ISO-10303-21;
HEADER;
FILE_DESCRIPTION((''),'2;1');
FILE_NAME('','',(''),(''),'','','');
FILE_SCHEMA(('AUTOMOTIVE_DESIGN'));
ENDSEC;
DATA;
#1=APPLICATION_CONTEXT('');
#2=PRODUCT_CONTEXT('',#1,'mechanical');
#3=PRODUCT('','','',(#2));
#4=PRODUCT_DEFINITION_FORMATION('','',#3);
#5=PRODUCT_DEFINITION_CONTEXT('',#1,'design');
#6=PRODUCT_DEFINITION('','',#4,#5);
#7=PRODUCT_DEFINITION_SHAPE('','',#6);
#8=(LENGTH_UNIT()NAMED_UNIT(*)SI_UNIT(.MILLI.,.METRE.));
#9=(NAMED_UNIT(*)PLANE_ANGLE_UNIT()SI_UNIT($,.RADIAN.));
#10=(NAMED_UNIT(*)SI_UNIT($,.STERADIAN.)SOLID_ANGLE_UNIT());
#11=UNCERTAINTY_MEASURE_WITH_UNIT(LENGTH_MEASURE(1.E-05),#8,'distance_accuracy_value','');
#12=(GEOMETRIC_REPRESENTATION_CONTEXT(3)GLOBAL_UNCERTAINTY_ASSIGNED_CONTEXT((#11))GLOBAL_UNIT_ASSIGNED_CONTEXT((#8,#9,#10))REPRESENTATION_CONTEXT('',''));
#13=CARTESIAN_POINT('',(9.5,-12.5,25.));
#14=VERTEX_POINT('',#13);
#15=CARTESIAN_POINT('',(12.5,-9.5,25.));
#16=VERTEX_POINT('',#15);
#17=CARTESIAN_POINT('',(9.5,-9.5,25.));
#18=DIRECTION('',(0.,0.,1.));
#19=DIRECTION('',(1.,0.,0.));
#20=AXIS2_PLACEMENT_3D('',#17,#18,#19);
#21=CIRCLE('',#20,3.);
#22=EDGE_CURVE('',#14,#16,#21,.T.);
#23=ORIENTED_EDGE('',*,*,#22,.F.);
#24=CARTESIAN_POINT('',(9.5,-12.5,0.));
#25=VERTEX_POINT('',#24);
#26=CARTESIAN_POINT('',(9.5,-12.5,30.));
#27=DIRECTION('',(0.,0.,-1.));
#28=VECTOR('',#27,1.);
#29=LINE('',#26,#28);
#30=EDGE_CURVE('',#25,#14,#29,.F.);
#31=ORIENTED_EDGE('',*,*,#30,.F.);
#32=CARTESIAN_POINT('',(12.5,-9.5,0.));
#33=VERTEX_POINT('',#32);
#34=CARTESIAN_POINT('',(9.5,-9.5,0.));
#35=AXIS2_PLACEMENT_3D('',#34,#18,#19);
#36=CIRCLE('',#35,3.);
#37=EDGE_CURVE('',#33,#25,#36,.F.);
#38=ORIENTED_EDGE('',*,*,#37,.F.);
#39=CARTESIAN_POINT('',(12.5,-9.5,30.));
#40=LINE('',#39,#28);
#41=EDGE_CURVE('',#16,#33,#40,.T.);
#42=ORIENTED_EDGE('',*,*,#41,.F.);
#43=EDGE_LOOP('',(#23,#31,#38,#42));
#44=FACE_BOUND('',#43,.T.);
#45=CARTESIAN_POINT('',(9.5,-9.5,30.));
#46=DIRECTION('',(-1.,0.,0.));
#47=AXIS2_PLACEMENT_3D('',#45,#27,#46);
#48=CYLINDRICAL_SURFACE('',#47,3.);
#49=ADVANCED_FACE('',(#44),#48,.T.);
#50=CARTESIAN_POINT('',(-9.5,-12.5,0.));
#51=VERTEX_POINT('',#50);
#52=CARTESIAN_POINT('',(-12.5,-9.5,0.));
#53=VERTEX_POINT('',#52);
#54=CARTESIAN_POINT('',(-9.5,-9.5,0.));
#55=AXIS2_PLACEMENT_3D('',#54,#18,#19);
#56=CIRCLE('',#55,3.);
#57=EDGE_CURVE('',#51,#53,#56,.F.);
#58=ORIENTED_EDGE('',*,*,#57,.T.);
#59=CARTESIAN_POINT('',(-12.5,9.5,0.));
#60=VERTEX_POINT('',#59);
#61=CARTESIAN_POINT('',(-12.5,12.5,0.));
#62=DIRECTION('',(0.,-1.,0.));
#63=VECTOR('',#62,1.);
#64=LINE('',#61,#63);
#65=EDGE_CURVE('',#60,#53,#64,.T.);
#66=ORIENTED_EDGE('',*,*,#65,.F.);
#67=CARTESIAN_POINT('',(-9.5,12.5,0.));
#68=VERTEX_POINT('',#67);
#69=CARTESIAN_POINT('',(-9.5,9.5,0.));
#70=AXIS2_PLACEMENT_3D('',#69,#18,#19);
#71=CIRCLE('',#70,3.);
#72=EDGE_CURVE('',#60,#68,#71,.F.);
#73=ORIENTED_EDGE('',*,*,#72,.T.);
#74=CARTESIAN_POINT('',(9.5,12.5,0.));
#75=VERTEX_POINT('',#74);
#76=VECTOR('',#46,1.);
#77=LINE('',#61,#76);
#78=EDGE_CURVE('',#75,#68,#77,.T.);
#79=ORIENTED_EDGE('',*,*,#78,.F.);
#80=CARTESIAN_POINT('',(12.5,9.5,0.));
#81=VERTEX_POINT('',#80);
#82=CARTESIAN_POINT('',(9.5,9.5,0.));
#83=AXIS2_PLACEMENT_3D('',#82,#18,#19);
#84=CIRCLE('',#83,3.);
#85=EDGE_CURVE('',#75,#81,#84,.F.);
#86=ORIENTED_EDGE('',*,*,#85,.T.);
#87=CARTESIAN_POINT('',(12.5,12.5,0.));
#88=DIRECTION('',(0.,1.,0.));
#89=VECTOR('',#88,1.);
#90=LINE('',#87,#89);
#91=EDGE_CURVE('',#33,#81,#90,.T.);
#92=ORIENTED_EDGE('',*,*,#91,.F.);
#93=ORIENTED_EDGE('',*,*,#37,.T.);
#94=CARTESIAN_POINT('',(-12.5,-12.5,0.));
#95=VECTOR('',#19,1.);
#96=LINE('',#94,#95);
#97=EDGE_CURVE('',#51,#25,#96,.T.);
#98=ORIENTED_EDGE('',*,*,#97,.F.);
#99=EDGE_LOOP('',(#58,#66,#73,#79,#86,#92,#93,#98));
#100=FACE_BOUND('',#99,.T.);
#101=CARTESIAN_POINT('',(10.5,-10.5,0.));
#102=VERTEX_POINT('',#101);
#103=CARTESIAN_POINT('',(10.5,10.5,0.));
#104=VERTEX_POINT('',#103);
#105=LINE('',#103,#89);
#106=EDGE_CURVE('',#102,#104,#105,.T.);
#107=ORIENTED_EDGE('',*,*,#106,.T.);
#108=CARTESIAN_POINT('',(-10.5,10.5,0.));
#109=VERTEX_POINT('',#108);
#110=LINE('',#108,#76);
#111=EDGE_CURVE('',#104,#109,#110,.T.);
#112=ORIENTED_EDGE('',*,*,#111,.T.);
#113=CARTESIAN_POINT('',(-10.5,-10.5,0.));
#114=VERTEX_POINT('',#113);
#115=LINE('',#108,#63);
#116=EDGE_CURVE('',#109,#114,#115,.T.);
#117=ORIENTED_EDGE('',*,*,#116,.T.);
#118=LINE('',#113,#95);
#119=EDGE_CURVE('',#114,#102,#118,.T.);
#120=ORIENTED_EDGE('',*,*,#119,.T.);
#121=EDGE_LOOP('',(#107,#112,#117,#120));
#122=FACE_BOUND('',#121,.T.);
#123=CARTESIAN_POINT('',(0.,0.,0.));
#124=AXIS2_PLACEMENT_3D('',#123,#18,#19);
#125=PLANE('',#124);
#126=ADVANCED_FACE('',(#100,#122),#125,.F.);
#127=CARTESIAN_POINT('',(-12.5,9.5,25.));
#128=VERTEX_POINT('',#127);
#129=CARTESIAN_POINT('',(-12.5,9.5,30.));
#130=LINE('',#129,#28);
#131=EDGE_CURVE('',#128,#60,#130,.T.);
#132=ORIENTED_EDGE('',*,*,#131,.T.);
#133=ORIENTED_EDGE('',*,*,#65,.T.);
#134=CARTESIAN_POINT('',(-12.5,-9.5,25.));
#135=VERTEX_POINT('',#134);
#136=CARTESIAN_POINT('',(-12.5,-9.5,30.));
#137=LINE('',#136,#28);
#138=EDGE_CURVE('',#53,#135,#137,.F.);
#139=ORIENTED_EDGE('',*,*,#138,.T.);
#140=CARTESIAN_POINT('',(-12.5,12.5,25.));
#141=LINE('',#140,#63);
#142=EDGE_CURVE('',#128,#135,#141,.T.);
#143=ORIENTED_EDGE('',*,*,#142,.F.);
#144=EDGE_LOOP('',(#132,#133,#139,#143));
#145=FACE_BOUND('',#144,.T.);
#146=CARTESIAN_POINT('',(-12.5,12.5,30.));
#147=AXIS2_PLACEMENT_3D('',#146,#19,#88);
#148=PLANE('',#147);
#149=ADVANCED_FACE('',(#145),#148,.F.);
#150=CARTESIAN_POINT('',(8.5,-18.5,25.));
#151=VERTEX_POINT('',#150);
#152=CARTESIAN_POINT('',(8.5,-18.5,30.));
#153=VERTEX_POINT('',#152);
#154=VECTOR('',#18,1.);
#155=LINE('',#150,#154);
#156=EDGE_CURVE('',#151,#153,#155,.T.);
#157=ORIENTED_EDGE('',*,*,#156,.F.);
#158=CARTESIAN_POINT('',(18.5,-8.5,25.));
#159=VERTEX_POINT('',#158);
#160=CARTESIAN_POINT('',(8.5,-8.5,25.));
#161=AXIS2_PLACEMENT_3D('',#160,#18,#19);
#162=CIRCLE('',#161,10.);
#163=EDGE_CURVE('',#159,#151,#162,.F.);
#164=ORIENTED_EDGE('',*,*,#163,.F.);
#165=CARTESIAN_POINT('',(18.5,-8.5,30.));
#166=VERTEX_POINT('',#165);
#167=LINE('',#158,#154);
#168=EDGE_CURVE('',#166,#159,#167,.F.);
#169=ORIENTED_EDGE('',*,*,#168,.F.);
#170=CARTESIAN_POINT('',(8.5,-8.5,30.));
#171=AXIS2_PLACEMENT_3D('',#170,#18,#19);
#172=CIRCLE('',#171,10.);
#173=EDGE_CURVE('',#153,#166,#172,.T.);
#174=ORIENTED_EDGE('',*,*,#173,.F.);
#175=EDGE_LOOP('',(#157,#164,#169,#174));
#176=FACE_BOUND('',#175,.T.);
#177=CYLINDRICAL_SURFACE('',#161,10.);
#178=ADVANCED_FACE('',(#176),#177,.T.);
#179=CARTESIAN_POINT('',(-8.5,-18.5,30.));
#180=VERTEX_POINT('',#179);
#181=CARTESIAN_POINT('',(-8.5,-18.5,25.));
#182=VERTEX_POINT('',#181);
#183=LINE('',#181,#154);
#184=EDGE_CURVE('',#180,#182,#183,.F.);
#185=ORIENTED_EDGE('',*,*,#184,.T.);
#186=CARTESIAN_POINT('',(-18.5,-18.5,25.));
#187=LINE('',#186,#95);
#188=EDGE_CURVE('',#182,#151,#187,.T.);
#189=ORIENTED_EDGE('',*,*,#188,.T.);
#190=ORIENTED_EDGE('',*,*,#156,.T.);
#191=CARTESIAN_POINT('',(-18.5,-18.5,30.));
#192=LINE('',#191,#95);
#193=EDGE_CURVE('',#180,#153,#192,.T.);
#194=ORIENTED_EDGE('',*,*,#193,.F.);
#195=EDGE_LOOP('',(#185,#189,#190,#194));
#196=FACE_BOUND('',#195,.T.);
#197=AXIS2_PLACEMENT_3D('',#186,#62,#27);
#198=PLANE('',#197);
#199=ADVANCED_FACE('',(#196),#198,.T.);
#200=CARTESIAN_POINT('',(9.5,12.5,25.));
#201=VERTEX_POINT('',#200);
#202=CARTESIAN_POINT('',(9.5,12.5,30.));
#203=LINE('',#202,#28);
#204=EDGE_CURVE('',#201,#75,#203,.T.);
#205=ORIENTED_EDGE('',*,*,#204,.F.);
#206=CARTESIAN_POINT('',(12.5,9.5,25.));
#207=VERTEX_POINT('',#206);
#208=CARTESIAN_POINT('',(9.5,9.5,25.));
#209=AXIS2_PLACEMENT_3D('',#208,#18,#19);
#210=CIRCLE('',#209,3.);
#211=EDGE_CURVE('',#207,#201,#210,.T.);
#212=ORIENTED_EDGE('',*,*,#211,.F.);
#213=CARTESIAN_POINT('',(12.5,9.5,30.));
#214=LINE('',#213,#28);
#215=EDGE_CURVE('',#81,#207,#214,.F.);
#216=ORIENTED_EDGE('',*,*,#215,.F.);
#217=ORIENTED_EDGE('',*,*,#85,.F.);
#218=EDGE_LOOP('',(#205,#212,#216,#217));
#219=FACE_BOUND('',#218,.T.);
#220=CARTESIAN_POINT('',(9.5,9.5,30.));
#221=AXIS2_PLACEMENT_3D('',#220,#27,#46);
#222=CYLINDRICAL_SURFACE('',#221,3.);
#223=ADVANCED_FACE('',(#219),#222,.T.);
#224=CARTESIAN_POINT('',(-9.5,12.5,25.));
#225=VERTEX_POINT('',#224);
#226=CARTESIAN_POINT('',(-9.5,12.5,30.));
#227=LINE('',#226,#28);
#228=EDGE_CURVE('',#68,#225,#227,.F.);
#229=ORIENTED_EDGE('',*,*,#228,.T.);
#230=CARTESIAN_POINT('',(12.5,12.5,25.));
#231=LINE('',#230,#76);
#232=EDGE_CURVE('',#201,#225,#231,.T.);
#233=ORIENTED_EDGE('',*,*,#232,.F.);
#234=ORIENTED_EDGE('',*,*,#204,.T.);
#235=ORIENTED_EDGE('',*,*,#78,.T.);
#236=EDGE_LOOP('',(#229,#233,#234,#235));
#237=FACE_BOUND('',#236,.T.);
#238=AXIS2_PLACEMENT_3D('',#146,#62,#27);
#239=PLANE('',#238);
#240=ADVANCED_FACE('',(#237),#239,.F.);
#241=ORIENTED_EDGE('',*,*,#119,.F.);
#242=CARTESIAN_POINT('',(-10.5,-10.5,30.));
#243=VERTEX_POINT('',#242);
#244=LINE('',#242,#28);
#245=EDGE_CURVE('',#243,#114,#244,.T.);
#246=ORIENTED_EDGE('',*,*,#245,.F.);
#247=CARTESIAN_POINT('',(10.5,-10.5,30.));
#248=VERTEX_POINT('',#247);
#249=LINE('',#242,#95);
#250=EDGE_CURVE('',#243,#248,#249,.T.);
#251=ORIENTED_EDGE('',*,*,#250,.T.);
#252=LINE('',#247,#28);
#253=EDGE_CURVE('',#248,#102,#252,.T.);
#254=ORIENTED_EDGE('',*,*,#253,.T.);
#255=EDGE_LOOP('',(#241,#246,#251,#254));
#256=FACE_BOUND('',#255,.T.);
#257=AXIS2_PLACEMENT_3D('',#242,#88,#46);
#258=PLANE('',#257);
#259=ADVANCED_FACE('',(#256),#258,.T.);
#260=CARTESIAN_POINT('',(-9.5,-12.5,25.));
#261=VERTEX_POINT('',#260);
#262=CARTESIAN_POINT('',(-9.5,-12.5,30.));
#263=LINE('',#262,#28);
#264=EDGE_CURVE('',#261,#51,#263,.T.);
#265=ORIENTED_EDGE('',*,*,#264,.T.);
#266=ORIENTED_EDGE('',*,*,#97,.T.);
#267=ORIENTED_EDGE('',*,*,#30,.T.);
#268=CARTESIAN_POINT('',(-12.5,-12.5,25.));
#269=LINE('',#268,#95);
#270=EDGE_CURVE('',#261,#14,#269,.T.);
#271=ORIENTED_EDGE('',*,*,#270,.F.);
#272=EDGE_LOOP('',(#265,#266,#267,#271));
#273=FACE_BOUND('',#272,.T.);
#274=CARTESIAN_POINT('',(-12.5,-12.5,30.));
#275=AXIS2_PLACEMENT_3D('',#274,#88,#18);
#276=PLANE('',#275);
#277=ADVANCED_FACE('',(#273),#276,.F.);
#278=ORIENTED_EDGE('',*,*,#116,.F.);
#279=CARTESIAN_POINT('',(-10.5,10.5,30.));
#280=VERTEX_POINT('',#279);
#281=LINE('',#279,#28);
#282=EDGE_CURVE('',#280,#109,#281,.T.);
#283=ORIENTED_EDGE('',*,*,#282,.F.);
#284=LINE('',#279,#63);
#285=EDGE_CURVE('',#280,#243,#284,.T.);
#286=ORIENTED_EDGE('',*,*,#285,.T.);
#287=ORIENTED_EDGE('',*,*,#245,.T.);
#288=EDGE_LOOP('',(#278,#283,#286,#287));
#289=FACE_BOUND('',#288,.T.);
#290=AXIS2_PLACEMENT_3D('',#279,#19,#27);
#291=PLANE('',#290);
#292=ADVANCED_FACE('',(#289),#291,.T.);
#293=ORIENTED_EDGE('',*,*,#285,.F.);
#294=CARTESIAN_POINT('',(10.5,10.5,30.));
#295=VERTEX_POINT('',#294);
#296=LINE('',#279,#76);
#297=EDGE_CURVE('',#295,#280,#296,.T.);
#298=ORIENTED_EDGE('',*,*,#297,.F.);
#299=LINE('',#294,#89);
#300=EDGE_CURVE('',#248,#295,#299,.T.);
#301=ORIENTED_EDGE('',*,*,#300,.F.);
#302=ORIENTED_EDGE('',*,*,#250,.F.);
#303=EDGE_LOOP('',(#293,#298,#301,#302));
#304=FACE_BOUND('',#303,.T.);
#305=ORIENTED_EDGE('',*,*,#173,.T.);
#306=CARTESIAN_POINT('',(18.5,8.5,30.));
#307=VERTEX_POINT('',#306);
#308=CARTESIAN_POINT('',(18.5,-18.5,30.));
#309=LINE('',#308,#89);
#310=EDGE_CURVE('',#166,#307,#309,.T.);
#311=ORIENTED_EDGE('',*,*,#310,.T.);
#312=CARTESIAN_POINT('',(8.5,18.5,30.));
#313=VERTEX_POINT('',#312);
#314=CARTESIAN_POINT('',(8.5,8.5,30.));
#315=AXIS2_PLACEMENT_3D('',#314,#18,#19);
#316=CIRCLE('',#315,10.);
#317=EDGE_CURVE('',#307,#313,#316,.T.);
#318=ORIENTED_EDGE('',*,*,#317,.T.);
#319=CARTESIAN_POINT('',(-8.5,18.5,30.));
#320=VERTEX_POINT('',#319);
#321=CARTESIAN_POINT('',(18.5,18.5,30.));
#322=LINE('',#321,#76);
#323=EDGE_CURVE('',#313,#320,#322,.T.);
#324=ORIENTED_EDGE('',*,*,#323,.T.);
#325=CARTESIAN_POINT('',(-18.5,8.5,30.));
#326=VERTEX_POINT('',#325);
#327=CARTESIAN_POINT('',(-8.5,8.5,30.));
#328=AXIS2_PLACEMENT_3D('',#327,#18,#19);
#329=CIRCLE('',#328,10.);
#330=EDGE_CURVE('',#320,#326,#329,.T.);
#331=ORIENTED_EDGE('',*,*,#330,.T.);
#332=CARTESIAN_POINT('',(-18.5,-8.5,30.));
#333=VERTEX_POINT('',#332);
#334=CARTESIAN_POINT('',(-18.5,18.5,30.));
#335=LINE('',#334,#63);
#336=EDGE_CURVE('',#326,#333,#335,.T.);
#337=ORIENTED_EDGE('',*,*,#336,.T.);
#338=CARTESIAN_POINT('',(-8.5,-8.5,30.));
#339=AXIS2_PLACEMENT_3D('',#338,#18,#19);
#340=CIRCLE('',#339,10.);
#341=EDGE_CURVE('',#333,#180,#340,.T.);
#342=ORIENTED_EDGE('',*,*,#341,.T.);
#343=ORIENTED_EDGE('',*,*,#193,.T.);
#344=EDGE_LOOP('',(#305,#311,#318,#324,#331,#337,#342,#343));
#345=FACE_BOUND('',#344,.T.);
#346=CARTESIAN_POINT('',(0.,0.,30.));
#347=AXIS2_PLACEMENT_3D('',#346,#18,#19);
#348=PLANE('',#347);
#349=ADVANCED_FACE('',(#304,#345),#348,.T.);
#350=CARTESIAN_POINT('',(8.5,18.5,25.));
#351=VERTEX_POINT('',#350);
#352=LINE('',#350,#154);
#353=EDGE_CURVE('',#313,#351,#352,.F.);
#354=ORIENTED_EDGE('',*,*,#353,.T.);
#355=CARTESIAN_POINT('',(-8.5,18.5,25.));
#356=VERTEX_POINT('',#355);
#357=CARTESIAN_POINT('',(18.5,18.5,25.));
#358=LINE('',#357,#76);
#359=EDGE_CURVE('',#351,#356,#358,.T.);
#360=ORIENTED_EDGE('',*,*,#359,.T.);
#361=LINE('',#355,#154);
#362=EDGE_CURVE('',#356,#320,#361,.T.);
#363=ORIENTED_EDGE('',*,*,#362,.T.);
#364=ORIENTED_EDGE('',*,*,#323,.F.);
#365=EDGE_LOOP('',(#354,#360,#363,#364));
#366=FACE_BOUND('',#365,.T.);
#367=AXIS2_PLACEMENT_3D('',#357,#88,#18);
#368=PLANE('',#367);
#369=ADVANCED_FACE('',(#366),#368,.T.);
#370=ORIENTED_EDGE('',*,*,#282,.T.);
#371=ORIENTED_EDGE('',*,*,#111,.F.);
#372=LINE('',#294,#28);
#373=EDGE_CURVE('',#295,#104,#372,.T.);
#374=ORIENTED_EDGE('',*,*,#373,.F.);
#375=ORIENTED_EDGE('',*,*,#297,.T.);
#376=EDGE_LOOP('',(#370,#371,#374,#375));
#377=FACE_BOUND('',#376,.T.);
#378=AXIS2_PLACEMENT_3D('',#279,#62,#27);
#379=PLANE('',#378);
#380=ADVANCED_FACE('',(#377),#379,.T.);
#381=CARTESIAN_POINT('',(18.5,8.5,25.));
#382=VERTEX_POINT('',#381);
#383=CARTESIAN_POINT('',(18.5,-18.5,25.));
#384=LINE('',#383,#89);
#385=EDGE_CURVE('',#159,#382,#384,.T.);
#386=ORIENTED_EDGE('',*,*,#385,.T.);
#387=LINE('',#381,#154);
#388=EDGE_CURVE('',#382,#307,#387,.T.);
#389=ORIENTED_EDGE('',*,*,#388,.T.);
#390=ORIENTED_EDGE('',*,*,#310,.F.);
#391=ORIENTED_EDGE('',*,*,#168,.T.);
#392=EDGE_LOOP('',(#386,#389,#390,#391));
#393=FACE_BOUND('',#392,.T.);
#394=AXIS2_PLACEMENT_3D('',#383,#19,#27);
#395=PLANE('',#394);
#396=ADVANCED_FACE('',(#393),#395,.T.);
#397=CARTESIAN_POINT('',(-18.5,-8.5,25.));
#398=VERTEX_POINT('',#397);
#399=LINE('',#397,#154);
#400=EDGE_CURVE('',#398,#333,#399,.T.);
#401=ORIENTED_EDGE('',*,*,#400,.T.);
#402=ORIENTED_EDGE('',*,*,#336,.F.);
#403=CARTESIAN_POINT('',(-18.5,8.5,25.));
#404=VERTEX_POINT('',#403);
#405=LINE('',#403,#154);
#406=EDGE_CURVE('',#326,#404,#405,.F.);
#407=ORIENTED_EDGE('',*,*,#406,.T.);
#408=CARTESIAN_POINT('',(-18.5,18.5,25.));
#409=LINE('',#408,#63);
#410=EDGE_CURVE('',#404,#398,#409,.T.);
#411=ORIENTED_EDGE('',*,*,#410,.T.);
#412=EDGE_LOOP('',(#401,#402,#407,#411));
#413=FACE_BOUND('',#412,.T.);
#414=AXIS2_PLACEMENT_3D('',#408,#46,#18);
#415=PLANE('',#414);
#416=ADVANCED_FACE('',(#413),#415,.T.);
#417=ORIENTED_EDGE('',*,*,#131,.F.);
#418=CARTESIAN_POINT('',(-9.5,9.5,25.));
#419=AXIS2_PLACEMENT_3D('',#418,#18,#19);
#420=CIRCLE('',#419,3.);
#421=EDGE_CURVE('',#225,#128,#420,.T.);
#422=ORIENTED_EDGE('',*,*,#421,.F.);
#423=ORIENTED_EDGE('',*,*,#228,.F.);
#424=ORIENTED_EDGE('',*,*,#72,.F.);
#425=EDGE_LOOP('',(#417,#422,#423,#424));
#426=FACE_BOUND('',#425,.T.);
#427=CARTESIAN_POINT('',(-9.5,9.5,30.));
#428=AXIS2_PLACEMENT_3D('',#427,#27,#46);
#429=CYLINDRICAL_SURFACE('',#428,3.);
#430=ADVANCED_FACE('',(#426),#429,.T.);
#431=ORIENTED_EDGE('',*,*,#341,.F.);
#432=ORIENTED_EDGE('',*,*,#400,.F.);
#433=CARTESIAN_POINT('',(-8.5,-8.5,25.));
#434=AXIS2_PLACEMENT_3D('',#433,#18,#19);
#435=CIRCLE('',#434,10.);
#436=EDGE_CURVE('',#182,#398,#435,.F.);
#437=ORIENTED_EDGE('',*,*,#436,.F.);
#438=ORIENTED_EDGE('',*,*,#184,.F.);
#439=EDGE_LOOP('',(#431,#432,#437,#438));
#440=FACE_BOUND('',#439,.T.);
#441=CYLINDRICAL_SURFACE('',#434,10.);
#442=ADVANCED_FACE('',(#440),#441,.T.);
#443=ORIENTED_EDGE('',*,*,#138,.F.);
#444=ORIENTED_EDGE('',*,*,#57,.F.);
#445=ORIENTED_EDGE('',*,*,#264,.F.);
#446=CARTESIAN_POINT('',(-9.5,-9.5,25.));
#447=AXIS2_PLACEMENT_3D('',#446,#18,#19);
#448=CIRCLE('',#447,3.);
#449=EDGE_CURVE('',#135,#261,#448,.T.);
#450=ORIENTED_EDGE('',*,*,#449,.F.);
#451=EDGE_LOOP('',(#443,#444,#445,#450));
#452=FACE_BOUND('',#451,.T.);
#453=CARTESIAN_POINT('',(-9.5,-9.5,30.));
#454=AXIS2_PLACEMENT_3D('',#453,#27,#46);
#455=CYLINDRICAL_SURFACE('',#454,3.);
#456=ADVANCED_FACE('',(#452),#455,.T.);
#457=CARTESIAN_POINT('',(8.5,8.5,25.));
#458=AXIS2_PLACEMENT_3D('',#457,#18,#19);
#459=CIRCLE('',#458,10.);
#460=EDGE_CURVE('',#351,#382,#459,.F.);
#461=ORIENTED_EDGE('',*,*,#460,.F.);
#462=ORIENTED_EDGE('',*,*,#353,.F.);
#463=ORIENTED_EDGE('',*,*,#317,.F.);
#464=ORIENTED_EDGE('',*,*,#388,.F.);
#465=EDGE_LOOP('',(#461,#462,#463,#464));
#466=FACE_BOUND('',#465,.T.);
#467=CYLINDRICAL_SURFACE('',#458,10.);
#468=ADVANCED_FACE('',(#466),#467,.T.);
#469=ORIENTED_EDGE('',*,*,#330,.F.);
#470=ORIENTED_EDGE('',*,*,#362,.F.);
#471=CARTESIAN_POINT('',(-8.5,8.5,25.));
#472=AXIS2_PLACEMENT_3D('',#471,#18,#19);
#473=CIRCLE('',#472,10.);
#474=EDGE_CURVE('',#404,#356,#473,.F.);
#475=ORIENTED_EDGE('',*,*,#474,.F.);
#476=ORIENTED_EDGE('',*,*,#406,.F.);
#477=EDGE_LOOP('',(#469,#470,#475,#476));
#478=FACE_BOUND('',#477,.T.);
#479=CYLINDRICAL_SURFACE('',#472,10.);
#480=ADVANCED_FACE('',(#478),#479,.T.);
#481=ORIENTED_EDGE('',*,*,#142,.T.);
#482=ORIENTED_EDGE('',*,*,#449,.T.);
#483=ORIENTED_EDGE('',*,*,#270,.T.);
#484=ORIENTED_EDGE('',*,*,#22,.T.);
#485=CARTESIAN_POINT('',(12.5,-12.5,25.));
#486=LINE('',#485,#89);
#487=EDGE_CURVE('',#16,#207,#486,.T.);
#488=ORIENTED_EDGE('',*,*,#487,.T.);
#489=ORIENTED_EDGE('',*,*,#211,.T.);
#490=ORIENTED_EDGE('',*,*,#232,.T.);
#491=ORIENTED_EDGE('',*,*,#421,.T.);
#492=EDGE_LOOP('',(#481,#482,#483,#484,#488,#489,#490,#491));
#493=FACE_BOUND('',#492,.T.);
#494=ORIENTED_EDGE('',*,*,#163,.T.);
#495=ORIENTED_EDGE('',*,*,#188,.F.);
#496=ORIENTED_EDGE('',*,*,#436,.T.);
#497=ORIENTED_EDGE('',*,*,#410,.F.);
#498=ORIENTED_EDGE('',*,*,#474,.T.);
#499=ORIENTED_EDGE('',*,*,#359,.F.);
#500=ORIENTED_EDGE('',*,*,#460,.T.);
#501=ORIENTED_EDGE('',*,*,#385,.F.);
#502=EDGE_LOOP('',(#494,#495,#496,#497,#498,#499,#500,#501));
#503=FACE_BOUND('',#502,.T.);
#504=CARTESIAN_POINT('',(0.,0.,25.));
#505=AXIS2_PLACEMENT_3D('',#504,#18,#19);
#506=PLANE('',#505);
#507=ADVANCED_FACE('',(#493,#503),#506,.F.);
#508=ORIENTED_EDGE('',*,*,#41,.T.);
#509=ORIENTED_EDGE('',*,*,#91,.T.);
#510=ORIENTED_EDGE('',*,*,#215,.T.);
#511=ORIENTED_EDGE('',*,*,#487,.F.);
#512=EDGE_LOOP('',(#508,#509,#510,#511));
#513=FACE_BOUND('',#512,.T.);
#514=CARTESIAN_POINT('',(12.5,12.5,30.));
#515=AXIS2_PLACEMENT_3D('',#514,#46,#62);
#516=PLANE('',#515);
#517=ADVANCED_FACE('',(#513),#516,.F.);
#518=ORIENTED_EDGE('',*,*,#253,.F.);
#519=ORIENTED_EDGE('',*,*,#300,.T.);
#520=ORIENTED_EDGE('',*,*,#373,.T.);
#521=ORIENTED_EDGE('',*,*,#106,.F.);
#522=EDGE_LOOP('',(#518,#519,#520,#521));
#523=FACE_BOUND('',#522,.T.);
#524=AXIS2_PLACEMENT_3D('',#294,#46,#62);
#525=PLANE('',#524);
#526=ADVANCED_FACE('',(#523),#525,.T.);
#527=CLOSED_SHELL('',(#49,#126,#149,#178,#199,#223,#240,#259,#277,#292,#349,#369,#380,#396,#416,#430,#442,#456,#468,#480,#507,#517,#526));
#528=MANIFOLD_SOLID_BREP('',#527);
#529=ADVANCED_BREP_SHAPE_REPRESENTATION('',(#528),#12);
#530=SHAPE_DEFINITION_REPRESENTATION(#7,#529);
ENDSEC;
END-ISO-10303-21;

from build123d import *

# Parameters (mm, degrees)
ESQUISSE1_W        = 25
ESQUISSE1_H        = 25
ESQUISSE1_W_2      = 21
ESQUISSE1_H_2      = 21
BOSS_EXTRU_1_DEPTH = 30
ESQUISSE2_W        = 37
ESQUISSE2_H        = 37
ESQUISSE2_W_2      = 25
ESQUISSE2_H_2      = 25
BOSS_EXTRU_2_DEPTH = 5
CONG_1_R           = 10
CONG_2_R           = 3


with BuildPart() as part:
    # Esquisse1 → Boss.-Extru.1 (new body)
    with BuildSketch(Plane.XY):
        Rectangle(ESQUISSE1_W, ESQUISSE1_H)
        Rectangle(ESQUISSE1_W_2, ESQUISSE1_H_2, mode=Mode.SUBTRACT)
    extrude(amount=BOSS_EXTRU_1_DEPTH)

    # Esquisse2 → Boss.-Extru.2 (add)
    with BuildSketch(Plane.XY.offset(30)):
        Rectangle(ESQUISSE2_W, ESQUISSE2_H)
        Rectangle(ESQUISSE2_W_2, ESQUISSE2_H_2, mode=Mode.SUBTRACT)
    extrude(amount=-BOSS_EXTRU_2_DEPTH)

    # Congé1
    cong_1_edges = [part.edges().sort_by_distance(p)[0] for p in [
        (18.5, -18.5, 27.5),
        (-18.5, -18.5, 27.5),
        (-18.5, 18.5, 27.5),
        (18.5, 18.5, 27.5),
    ]]
    fillet(cong_1_edges, radius=CONG_1_R)

    # Congé2
    cong_2_edges = [part.edges().sort_by_distance(p)[0] for p in [
        (12.5, -12.5, 12.5),
        (-12.5, -12.5, 12.5),
        (-12.5, 12.5, 12.5),
        (12.5, 12.5, 12.5),
    ]]
    fillet(cong_2_edges, radius=CONG_2_R)


solid = part.part
